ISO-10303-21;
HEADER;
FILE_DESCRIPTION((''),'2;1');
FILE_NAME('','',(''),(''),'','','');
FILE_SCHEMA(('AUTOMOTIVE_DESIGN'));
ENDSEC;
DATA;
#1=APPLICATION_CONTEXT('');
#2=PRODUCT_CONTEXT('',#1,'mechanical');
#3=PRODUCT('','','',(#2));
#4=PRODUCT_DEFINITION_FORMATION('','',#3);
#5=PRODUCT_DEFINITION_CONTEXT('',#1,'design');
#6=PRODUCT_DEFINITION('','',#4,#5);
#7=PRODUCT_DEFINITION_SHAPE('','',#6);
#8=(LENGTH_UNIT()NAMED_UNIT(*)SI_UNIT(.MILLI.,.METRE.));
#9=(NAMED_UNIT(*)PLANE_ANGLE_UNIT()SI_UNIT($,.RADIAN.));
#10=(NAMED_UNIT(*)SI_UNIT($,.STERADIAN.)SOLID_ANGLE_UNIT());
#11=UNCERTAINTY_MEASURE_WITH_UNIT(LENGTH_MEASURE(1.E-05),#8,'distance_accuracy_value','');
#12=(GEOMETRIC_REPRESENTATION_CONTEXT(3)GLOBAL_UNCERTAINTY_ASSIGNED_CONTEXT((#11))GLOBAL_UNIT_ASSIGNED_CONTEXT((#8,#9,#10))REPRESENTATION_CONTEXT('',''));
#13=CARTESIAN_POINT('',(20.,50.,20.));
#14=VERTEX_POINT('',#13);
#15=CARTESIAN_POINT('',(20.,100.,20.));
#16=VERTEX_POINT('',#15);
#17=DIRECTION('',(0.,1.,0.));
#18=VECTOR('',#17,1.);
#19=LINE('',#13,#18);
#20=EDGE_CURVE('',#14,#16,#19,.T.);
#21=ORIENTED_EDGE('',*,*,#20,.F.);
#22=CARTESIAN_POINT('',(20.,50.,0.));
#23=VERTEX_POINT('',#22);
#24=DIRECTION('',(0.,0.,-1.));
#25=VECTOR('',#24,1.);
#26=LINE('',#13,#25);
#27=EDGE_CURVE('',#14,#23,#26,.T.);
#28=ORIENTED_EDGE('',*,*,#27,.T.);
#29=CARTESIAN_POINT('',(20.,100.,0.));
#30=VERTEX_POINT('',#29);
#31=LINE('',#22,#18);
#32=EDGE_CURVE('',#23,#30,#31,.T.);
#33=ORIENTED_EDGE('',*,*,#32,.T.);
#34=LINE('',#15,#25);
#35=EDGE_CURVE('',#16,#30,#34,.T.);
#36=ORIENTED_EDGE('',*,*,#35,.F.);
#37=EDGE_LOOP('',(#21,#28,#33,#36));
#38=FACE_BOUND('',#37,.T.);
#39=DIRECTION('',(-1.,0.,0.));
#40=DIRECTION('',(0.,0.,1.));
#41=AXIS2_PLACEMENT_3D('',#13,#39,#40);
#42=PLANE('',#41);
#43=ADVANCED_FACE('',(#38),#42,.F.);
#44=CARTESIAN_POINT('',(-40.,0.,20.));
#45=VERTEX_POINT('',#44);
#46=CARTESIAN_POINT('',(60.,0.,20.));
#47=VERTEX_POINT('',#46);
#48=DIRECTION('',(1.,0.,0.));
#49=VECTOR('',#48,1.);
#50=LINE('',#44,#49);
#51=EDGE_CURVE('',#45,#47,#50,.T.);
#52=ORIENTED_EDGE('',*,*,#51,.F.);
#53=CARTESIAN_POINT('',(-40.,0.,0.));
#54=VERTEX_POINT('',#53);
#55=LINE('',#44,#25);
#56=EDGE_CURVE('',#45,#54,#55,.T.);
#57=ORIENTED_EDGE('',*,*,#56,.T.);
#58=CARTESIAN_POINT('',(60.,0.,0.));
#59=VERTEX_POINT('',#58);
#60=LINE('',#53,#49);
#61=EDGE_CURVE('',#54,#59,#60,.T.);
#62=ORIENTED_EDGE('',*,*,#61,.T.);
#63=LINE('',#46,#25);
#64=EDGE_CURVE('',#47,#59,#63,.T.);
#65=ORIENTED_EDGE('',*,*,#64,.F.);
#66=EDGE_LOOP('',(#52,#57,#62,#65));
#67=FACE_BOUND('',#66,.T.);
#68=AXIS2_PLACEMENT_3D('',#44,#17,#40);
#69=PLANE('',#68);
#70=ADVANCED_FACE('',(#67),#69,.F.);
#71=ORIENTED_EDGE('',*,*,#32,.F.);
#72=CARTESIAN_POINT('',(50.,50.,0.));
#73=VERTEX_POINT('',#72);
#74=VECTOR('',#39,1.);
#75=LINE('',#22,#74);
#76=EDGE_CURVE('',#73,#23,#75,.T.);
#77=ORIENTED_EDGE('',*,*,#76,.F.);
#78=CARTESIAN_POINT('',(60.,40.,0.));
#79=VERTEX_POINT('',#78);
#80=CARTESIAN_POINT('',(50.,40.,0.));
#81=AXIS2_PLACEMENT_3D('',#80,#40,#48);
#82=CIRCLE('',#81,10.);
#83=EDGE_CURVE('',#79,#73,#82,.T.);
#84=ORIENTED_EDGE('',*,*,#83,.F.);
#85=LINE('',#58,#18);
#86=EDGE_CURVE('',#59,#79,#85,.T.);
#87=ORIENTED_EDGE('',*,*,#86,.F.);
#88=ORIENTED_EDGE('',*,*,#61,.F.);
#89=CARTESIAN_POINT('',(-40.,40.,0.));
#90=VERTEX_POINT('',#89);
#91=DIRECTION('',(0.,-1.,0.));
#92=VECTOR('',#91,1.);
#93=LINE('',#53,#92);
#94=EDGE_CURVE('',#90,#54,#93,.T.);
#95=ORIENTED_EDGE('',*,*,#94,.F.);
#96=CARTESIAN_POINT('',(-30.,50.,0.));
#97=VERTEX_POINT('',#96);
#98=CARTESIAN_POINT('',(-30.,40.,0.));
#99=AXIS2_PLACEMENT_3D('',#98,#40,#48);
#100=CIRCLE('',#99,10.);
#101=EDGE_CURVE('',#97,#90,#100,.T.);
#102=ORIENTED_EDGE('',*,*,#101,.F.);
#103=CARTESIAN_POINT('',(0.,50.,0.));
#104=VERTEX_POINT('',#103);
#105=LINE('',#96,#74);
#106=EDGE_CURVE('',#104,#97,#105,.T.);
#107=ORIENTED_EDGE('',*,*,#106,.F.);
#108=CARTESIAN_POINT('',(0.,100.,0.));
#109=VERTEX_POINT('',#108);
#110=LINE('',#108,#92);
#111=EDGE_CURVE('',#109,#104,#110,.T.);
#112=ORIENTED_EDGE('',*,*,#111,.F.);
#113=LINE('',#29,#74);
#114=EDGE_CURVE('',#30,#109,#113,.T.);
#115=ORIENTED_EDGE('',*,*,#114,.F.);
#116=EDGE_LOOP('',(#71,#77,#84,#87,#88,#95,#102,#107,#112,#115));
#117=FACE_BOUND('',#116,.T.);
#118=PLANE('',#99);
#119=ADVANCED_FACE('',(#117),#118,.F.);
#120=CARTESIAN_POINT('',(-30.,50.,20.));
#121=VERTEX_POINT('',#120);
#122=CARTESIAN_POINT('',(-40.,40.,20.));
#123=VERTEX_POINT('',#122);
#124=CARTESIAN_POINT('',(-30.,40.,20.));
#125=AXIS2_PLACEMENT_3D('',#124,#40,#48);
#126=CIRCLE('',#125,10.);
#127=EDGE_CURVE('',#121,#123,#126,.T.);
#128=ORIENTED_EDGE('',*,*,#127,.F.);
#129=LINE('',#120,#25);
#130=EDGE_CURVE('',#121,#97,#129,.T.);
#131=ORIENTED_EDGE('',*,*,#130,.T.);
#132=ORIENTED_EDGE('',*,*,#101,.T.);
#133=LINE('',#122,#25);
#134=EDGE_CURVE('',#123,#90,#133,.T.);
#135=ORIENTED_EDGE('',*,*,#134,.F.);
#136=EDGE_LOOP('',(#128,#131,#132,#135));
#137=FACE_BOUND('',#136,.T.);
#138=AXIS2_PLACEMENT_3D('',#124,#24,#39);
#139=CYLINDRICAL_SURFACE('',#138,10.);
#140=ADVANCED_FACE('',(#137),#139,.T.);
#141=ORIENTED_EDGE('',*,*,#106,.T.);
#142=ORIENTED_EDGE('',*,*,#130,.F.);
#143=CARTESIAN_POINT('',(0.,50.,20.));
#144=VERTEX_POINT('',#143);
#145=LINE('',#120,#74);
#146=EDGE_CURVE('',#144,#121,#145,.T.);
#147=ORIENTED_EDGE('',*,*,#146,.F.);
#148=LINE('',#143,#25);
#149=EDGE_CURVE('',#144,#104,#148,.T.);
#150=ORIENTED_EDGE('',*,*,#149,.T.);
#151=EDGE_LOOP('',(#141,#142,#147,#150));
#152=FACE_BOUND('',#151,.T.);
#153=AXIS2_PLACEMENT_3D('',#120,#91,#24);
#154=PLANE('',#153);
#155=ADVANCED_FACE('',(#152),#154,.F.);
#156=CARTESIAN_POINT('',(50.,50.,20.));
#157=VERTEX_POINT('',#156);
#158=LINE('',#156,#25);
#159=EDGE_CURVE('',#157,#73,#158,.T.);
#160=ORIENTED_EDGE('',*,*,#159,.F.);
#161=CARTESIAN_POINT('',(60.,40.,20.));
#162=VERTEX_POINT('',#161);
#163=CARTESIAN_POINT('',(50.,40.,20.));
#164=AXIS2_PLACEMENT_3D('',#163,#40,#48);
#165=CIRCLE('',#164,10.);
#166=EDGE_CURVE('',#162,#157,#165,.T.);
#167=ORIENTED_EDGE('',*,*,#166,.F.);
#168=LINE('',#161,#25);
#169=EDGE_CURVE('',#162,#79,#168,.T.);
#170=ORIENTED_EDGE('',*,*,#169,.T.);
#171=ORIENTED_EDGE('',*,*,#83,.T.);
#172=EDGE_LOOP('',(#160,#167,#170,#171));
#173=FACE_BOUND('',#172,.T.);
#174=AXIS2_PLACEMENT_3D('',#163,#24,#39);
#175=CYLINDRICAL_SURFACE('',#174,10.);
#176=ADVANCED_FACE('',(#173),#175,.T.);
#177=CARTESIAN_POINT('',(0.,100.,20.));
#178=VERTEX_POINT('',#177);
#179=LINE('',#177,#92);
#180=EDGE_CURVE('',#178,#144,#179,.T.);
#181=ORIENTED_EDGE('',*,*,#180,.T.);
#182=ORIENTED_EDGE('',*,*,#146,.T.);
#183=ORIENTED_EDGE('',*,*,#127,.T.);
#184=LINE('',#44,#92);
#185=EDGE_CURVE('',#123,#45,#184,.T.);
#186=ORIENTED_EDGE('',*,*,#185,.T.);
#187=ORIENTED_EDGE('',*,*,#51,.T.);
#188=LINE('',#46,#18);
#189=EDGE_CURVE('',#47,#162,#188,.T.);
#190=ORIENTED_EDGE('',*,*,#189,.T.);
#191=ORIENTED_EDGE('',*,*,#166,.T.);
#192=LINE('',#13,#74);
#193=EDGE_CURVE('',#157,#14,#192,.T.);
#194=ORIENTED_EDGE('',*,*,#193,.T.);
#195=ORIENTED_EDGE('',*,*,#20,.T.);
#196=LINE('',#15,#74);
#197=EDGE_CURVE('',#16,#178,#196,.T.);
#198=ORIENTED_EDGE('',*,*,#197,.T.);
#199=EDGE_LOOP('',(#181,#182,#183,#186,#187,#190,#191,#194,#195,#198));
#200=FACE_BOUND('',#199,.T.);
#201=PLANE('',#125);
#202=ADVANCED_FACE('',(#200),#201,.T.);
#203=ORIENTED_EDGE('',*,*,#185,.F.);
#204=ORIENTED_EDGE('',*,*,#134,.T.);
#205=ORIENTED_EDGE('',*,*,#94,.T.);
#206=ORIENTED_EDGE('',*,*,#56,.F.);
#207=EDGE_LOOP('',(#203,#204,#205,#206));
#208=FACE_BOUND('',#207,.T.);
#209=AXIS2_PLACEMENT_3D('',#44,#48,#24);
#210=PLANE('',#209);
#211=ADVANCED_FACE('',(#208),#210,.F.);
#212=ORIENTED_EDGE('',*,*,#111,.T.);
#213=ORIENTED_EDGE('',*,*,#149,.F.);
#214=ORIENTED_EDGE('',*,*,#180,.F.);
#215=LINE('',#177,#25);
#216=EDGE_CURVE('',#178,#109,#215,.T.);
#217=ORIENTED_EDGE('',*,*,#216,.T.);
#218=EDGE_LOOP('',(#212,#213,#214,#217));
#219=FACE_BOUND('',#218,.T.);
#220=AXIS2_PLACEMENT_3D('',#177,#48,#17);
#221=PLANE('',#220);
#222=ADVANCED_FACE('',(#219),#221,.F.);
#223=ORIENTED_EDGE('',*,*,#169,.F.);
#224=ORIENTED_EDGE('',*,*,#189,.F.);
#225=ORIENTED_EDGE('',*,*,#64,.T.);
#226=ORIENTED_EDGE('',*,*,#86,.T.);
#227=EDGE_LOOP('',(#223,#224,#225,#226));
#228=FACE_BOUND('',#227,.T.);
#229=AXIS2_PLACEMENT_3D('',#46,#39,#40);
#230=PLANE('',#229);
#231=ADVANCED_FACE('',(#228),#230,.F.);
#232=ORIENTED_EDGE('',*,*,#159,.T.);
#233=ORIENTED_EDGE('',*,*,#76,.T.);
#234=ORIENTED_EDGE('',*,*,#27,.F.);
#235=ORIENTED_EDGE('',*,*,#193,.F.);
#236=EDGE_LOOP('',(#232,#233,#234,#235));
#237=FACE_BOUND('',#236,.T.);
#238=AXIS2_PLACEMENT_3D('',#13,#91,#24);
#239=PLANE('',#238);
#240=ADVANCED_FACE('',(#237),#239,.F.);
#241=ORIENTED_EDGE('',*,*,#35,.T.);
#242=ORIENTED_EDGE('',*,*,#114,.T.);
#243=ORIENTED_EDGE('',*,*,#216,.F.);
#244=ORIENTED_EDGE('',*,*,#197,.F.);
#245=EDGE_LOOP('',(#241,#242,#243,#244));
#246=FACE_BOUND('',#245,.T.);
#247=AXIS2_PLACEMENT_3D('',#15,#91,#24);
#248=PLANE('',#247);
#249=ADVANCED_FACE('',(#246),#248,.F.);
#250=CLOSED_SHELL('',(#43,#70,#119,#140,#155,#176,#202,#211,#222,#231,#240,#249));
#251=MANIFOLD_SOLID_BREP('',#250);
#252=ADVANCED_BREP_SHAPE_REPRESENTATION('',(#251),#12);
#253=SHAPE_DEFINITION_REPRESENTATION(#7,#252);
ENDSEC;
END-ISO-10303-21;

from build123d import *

# Parameters (mm, degrees)
BOSS_EXTRUDE1_DEPTH = 20


with BuildPart() as part:
    # Sketch1 → Boss-Extrude1 (new body)
    with BuildSketch(Plane.XY):
        with BuildLine():
            Line((-40, 0), (60, 0))
            Line((60, 0), (60, 40))
            ThreePointArc((60, 40), (57.071067812, 47.071067812), (50, 50))
            Line((50, 50), (20, 50))
            Line((20, 50), (20, 100))
            Line((20, 100), (0, 100))
            Line((0, 100), (0, 50))
            Line((0, 50), (-30, 50))
            ThreePointArc((-30, 50), (-37.071067812, 47.071067812), (-40, 40))
            Line((-40, 40), (-40, 0))
        make_face()
    extrude(amount=BOSS_EXTRUDE1_DEPTH)


solid = part.part
